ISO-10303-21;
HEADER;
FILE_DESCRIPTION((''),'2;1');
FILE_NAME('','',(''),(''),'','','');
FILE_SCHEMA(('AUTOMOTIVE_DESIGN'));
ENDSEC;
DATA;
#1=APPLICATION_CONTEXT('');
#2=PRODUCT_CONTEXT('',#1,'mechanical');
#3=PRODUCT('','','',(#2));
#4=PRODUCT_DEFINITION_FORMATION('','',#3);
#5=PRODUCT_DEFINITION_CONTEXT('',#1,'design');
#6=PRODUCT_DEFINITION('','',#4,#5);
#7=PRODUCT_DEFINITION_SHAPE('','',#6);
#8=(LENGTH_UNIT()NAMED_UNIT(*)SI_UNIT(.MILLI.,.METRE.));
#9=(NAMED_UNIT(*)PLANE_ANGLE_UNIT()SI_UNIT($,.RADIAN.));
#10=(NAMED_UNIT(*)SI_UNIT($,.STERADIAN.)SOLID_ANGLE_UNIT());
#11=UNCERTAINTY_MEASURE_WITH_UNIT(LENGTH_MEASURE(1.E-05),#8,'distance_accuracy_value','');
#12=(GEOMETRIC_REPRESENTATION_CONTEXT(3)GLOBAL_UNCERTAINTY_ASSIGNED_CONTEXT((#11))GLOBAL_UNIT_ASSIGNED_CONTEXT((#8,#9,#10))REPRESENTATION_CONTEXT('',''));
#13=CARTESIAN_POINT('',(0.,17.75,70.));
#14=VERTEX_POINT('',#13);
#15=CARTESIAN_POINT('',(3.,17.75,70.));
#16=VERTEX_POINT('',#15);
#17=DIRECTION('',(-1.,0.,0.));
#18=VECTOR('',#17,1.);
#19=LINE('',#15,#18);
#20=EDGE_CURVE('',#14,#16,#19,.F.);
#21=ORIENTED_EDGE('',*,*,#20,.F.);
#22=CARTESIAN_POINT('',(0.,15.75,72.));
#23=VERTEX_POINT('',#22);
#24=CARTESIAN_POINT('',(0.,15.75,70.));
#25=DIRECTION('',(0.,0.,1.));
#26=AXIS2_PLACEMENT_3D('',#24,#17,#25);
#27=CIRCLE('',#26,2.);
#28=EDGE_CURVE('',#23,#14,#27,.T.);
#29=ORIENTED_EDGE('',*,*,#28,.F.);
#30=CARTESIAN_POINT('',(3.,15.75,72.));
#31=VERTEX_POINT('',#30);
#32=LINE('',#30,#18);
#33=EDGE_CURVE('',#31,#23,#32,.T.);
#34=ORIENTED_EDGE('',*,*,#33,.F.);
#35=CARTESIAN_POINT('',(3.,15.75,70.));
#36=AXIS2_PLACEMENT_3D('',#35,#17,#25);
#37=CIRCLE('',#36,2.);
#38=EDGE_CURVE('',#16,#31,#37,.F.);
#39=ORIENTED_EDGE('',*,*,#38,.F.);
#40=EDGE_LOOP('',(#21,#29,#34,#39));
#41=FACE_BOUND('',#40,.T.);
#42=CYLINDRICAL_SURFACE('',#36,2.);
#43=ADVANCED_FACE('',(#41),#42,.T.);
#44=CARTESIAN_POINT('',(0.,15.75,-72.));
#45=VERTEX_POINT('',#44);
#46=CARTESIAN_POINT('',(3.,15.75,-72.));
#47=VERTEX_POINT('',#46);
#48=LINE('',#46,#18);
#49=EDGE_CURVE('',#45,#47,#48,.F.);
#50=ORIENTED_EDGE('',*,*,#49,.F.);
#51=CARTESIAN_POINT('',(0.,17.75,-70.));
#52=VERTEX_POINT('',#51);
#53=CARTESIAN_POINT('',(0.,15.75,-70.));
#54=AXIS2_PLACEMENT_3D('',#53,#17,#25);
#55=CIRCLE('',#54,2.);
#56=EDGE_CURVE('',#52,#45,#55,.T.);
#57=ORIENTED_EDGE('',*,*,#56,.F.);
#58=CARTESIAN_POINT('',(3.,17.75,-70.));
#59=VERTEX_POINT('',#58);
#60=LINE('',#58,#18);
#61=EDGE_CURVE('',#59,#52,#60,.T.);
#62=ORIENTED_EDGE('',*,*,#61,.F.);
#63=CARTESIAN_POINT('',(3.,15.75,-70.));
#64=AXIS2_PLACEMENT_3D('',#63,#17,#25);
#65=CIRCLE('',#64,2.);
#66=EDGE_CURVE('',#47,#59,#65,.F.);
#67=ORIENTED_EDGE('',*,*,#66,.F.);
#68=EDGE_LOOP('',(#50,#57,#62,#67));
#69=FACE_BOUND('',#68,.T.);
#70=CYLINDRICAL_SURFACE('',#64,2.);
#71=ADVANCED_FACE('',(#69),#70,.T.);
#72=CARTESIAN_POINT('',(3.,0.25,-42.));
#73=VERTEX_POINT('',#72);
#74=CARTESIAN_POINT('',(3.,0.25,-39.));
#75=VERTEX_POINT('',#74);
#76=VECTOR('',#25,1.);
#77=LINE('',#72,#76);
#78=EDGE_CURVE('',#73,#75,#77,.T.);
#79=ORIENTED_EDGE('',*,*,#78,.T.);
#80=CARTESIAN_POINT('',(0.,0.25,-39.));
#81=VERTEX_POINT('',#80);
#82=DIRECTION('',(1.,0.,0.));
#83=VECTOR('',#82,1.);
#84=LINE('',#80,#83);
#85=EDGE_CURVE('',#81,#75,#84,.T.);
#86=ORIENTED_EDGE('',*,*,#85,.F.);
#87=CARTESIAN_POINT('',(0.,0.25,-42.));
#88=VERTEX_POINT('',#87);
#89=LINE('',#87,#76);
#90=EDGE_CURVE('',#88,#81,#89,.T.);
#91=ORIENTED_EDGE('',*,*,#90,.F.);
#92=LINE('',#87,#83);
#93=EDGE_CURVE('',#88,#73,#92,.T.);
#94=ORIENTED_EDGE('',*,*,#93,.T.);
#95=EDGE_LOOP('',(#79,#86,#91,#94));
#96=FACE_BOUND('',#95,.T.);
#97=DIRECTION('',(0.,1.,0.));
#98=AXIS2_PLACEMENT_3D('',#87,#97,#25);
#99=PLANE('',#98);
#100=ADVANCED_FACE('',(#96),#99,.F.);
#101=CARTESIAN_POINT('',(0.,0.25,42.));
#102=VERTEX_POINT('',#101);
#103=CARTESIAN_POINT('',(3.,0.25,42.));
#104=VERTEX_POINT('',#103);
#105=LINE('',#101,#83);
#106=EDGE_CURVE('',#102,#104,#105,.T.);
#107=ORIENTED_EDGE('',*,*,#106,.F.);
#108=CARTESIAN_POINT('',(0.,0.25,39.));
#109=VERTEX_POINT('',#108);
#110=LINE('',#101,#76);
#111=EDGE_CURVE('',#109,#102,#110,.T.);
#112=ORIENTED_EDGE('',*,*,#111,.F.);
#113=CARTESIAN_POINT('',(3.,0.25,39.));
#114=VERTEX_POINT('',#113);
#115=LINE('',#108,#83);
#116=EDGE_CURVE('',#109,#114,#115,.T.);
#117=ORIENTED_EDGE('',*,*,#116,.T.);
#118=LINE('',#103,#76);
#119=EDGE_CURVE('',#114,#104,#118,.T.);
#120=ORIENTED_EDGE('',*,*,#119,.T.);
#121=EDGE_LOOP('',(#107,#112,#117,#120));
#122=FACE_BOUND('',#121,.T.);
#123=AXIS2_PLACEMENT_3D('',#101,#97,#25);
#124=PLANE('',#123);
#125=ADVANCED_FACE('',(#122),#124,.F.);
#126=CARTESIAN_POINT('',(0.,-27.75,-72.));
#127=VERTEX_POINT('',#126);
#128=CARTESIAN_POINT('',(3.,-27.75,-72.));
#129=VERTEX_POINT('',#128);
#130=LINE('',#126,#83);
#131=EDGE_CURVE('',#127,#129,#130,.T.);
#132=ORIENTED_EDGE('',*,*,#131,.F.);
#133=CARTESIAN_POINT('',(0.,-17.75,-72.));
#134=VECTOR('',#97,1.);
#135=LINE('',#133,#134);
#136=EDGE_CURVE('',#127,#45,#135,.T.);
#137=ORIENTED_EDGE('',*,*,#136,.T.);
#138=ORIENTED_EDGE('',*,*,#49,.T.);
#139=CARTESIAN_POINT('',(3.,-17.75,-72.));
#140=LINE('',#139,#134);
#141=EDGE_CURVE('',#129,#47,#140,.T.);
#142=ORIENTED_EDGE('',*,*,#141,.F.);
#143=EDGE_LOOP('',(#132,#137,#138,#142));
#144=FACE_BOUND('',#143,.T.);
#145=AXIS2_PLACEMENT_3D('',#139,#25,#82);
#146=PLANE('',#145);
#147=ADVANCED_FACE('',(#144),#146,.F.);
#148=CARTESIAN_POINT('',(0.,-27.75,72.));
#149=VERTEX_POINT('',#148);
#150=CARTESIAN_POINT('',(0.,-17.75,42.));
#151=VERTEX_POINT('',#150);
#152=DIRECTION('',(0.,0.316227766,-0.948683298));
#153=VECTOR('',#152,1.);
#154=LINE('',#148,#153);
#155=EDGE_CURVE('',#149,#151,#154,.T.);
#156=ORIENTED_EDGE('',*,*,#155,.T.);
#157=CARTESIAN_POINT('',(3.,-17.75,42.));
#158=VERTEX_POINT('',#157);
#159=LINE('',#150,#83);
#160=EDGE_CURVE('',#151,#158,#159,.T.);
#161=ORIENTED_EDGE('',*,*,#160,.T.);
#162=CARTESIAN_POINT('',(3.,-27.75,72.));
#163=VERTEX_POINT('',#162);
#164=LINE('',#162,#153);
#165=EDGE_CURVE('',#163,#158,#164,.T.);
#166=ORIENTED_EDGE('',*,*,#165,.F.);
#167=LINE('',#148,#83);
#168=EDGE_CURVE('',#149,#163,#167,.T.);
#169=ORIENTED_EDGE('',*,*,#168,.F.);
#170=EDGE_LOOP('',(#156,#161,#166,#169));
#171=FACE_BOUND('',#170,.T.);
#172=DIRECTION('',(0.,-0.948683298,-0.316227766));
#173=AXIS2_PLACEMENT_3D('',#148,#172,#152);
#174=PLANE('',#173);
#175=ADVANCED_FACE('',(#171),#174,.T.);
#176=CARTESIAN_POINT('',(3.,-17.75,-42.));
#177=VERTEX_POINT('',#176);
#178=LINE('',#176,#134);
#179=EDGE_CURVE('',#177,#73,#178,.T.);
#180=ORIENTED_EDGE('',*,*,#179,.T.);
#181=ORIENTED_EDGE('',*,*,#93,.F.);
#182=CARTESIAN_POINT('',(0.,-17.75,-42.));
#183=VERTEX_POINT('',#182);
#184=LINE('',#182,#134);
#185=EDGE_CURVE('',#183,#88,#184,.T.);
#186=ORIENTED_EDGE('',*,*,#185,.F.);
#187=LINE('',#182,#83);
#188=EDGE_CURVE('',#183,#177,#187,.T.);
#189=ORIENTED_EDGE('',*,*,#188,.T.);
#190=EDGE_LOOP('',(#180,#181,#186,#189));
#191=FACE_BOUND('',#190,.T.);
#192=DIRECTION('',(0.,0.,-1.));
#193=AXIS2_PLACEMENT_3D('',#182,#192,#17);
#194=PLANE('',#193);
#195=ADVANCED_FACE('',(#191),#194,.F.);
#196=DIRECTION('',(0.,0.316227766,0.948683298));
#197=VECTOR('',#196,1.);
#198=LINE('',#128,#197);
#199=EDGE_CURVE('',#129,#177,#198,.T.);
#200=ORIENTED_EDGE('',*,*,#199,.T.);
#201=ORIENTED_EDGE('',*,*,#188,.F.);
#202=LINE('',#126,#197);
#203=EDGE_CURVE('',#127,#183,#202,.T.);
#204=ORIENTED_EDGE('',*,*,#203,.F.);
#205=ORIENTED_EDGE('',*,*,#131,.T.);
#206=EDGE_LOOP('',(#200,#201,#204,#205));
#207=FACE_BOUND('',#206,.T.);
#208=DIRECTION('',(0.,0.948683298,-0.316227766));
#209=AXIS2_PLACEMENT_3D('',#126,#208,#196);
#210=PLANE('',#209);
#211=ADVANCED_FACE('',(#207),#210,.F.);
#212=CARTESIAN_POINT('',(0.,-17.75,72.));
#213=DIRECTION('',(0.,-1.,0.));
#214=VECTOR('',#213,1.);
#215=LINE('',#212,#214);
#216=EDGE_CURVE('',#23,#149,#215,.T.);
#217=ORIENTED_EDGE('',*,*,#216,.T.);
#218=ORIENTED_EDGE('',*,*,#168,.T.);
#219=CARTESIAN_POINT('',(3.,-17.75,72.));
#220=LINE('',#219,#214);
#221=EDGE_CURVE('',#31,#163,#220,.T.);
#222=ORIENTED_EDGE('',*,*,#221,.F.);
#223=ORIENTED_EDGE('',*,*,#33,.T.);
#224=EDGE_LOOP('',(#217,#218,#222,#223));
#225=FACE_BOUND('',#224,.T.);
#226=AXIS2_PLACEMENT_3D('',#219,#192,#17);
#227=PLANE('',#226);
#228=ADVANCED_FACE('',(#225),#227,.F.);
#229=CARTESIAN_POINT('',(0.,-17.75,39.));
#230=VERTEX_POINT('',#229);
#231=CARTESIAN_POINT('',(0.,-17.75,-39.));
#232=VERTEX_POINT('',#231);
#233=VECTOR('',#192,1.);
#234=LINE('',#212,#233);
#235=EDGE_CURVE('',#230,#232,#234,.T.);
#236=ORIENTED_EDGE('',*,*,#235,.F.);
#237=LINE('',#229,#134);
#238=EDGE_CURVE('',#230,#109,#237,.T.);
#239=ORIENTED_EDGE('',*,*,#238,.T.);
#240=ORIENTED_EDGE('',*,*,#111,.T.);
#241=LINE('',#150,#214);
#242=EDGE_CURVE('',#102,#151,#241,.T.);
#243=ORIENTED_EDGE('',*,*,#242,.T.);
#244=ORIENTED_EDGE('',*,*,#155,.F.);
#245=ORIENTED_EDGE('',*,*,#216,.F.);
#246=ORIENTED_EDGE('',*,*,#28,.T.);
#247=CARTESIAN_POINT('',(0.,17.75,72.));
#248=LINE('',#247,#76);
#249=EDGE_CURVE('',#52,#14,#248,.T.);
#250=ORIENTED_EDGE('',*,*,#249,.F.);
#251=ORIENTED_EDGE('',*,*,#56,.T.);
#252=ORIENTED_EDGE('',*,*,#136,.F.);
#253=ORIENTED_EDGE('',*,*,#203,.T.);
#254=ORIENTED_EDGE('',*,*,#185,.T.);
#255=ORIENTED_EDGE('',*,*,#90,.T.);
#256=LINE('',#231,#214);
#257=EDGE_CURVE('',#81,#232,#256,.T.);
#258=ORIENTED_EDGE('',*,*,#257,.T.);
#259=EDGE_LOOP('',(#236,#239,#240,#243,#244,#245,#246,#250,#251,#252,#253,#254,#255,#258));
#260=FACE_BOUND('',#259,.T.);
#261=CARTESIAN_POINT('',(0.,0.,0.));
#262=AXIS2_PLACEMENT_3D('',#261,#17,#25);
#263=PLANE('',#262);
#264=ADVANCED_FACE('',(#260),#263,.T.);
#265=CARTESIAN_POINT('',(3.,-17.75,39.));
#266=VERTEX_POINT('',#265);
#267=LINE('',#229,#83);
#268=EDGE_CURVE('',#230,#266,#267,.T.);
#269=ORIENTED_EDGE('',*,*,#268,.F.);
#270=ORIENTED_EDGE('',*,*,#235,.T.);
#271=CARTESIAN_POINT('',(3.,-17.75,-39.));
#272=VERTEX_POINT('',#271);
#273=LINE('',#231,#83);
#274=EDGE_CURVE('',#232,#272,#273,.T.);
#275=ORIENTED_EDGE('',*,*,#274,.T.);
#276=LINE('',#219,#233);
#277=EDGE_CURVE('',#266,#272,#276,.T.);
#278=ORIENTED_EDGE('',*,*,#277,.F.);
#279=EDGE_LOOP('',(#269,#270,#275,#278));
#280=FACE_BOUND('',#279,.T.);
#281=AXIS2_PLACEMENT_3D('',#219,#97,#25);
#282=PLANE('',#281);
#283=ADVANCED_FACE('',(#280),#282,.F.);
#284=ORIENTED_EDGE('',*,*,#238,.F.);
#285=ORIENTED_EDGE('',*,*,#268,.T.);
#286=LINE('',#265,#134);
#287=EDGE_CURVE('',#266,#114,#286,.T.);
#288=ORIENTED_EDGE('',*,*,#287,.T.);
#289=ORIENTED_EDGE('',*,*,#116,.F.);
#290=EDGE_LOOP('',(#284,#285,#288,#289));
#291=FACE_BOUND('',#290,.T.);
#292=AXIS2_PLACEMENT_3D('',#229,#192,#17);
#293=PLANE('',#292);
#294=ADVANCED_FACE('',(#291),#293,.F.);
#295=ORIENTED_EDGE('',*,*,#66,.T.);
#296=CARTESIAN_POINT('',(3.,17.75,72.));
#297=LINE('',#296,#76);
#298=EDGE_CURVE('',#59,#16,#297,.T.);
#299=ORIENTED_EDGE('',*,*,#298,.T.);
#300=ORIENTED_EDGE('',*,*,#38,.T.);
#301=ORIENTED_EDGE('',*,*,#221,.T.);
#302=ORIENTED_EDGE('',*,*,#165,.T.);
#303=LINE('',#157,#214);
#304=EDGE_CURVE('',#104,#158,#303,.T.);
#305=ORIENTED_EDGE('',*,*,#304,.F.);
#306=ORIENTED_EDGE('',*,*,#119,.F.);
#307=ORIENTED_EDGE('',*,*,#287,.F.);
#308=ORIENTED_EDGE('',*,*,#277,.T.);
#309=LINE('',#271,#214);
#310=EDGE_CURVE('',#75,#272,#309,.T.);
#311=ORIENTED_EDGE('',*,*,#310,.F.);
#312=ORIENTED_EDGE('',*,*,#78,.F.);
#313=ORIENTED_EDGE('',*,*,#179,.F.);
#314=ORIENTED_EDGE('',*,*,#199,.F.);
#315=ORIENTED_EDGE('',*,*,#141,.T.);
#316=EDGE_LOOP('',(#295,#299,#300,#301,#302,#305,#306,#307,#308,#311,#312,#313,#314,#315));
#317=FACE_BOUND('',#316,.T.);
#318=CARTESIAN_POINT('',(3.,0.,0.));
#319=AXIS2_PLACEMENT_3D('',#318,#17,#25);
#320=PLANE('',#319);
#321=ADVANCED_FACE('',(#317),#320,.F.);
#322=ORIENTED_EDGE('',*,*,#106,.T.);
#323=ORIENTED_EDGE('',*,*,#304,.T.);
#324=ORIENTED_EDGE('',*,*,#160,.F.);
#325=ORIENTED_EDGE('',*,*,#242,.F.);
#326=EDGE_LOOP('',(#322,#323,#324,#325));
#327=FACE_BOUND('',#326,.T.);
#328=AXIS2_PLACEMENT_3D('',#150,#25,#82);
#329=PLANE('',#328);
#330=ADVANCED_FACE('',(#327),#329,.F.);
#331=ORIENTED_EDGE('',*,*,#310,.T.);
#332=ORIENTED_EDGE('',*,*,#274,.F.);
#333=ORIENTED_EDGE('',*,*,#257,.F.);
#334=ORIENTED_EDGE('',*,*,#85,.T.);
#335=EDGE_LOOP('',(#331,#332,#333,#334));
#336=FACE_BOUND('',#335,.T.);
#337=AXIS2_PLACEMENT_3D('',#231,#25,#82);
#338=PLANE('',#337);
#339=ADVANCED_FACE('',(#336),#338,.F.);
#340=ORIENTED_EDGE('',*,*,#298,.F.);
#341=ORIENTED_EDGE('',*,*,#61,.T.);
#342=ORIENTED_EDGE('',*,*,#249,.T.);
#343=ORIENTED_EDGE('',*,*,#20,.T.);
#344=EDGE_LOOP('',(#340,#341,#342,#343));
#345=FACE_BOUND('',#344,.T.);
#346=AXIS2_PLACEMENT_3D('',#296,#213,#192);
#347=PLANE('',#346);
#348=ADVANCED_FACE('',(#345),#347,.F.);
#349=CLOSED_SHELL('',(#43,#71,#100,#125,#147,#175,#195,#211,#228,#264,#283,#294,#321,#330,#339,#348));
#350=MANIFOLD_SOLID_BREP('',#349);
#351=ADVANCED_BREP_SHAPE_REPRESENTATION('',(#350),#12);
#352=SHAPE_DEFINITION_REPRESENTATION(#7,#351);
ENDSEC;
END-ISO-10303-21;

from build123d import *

# Parameters (mm, degrees)
SKETCH1_W           = 144
SKETCH1_H           = 35.5
BOSS_EXTRUDE1_DEPTH = 3
FILLET1_R           = 2
SKETCH2_W           = 3
SKETCH2_H           = 18
CUT_EXTRUDE1_DEPTH  = 3
BOSS_EXTRUDE2_DEPTH = 3


with BuildPart() as part:
    # Sketch1 → Boss-Extrude1 (new body)
    with BuildSketch(Plane(origin=(0, 0, 0), x_dir=(0, 0, -1), z_dir=(1, 0, 0))):
        Rectangle(SKETCH1_W, SKETCH1_H)
    extrude(amount=BOSS_EXTRUDE1_DEPTH)

    # Fillet1
    fillet1_edges = [part.edges().sort_by_distance(p)[0] for p in [
        (1.5, 17.75, 72),
        (1.5, 17.75, -72),
    ]]
    fillet(fillet1_edges, radius=FILLET1_R)

    # Sketch2 → Cut-Extrude1 (cut)
    with BuildSketch(Plane(origin=(3, 0, 0), x_dir=(0, 0, -1), z_dir=(1, 0, 0))):
        with Locations((-40.5, -8.75)):
            Rectangle(SKETCH2_W, SKETCH2_H)
        with Locations((40.5, -8.75)):
            Rectangle(SKETCH2_W, SKETCH2_H)
    extrude(amount=-CUT_EXTRUDE1_DEPTH, mode=Mode.SUBTRACT)

    # Sketch3 → Boss-Extrude2 (add)
    with BuildSketch(Plane(origin=(3, 0, 0), x_dir=(0, 0, -1), z_dir=(1, 0, 0))):
        Polygon((-72, -17.75), (-72, -27.75), (-42, -17.75), align=None)
    boss_extrude2 = extrude(amount=-BOSS_EXTRUDE2_DEPTH)

    # Mirror1: Boss-Extrude2 across plane
    add(boss_extrude2.mirror(Plane.XY))


solid = part.part
